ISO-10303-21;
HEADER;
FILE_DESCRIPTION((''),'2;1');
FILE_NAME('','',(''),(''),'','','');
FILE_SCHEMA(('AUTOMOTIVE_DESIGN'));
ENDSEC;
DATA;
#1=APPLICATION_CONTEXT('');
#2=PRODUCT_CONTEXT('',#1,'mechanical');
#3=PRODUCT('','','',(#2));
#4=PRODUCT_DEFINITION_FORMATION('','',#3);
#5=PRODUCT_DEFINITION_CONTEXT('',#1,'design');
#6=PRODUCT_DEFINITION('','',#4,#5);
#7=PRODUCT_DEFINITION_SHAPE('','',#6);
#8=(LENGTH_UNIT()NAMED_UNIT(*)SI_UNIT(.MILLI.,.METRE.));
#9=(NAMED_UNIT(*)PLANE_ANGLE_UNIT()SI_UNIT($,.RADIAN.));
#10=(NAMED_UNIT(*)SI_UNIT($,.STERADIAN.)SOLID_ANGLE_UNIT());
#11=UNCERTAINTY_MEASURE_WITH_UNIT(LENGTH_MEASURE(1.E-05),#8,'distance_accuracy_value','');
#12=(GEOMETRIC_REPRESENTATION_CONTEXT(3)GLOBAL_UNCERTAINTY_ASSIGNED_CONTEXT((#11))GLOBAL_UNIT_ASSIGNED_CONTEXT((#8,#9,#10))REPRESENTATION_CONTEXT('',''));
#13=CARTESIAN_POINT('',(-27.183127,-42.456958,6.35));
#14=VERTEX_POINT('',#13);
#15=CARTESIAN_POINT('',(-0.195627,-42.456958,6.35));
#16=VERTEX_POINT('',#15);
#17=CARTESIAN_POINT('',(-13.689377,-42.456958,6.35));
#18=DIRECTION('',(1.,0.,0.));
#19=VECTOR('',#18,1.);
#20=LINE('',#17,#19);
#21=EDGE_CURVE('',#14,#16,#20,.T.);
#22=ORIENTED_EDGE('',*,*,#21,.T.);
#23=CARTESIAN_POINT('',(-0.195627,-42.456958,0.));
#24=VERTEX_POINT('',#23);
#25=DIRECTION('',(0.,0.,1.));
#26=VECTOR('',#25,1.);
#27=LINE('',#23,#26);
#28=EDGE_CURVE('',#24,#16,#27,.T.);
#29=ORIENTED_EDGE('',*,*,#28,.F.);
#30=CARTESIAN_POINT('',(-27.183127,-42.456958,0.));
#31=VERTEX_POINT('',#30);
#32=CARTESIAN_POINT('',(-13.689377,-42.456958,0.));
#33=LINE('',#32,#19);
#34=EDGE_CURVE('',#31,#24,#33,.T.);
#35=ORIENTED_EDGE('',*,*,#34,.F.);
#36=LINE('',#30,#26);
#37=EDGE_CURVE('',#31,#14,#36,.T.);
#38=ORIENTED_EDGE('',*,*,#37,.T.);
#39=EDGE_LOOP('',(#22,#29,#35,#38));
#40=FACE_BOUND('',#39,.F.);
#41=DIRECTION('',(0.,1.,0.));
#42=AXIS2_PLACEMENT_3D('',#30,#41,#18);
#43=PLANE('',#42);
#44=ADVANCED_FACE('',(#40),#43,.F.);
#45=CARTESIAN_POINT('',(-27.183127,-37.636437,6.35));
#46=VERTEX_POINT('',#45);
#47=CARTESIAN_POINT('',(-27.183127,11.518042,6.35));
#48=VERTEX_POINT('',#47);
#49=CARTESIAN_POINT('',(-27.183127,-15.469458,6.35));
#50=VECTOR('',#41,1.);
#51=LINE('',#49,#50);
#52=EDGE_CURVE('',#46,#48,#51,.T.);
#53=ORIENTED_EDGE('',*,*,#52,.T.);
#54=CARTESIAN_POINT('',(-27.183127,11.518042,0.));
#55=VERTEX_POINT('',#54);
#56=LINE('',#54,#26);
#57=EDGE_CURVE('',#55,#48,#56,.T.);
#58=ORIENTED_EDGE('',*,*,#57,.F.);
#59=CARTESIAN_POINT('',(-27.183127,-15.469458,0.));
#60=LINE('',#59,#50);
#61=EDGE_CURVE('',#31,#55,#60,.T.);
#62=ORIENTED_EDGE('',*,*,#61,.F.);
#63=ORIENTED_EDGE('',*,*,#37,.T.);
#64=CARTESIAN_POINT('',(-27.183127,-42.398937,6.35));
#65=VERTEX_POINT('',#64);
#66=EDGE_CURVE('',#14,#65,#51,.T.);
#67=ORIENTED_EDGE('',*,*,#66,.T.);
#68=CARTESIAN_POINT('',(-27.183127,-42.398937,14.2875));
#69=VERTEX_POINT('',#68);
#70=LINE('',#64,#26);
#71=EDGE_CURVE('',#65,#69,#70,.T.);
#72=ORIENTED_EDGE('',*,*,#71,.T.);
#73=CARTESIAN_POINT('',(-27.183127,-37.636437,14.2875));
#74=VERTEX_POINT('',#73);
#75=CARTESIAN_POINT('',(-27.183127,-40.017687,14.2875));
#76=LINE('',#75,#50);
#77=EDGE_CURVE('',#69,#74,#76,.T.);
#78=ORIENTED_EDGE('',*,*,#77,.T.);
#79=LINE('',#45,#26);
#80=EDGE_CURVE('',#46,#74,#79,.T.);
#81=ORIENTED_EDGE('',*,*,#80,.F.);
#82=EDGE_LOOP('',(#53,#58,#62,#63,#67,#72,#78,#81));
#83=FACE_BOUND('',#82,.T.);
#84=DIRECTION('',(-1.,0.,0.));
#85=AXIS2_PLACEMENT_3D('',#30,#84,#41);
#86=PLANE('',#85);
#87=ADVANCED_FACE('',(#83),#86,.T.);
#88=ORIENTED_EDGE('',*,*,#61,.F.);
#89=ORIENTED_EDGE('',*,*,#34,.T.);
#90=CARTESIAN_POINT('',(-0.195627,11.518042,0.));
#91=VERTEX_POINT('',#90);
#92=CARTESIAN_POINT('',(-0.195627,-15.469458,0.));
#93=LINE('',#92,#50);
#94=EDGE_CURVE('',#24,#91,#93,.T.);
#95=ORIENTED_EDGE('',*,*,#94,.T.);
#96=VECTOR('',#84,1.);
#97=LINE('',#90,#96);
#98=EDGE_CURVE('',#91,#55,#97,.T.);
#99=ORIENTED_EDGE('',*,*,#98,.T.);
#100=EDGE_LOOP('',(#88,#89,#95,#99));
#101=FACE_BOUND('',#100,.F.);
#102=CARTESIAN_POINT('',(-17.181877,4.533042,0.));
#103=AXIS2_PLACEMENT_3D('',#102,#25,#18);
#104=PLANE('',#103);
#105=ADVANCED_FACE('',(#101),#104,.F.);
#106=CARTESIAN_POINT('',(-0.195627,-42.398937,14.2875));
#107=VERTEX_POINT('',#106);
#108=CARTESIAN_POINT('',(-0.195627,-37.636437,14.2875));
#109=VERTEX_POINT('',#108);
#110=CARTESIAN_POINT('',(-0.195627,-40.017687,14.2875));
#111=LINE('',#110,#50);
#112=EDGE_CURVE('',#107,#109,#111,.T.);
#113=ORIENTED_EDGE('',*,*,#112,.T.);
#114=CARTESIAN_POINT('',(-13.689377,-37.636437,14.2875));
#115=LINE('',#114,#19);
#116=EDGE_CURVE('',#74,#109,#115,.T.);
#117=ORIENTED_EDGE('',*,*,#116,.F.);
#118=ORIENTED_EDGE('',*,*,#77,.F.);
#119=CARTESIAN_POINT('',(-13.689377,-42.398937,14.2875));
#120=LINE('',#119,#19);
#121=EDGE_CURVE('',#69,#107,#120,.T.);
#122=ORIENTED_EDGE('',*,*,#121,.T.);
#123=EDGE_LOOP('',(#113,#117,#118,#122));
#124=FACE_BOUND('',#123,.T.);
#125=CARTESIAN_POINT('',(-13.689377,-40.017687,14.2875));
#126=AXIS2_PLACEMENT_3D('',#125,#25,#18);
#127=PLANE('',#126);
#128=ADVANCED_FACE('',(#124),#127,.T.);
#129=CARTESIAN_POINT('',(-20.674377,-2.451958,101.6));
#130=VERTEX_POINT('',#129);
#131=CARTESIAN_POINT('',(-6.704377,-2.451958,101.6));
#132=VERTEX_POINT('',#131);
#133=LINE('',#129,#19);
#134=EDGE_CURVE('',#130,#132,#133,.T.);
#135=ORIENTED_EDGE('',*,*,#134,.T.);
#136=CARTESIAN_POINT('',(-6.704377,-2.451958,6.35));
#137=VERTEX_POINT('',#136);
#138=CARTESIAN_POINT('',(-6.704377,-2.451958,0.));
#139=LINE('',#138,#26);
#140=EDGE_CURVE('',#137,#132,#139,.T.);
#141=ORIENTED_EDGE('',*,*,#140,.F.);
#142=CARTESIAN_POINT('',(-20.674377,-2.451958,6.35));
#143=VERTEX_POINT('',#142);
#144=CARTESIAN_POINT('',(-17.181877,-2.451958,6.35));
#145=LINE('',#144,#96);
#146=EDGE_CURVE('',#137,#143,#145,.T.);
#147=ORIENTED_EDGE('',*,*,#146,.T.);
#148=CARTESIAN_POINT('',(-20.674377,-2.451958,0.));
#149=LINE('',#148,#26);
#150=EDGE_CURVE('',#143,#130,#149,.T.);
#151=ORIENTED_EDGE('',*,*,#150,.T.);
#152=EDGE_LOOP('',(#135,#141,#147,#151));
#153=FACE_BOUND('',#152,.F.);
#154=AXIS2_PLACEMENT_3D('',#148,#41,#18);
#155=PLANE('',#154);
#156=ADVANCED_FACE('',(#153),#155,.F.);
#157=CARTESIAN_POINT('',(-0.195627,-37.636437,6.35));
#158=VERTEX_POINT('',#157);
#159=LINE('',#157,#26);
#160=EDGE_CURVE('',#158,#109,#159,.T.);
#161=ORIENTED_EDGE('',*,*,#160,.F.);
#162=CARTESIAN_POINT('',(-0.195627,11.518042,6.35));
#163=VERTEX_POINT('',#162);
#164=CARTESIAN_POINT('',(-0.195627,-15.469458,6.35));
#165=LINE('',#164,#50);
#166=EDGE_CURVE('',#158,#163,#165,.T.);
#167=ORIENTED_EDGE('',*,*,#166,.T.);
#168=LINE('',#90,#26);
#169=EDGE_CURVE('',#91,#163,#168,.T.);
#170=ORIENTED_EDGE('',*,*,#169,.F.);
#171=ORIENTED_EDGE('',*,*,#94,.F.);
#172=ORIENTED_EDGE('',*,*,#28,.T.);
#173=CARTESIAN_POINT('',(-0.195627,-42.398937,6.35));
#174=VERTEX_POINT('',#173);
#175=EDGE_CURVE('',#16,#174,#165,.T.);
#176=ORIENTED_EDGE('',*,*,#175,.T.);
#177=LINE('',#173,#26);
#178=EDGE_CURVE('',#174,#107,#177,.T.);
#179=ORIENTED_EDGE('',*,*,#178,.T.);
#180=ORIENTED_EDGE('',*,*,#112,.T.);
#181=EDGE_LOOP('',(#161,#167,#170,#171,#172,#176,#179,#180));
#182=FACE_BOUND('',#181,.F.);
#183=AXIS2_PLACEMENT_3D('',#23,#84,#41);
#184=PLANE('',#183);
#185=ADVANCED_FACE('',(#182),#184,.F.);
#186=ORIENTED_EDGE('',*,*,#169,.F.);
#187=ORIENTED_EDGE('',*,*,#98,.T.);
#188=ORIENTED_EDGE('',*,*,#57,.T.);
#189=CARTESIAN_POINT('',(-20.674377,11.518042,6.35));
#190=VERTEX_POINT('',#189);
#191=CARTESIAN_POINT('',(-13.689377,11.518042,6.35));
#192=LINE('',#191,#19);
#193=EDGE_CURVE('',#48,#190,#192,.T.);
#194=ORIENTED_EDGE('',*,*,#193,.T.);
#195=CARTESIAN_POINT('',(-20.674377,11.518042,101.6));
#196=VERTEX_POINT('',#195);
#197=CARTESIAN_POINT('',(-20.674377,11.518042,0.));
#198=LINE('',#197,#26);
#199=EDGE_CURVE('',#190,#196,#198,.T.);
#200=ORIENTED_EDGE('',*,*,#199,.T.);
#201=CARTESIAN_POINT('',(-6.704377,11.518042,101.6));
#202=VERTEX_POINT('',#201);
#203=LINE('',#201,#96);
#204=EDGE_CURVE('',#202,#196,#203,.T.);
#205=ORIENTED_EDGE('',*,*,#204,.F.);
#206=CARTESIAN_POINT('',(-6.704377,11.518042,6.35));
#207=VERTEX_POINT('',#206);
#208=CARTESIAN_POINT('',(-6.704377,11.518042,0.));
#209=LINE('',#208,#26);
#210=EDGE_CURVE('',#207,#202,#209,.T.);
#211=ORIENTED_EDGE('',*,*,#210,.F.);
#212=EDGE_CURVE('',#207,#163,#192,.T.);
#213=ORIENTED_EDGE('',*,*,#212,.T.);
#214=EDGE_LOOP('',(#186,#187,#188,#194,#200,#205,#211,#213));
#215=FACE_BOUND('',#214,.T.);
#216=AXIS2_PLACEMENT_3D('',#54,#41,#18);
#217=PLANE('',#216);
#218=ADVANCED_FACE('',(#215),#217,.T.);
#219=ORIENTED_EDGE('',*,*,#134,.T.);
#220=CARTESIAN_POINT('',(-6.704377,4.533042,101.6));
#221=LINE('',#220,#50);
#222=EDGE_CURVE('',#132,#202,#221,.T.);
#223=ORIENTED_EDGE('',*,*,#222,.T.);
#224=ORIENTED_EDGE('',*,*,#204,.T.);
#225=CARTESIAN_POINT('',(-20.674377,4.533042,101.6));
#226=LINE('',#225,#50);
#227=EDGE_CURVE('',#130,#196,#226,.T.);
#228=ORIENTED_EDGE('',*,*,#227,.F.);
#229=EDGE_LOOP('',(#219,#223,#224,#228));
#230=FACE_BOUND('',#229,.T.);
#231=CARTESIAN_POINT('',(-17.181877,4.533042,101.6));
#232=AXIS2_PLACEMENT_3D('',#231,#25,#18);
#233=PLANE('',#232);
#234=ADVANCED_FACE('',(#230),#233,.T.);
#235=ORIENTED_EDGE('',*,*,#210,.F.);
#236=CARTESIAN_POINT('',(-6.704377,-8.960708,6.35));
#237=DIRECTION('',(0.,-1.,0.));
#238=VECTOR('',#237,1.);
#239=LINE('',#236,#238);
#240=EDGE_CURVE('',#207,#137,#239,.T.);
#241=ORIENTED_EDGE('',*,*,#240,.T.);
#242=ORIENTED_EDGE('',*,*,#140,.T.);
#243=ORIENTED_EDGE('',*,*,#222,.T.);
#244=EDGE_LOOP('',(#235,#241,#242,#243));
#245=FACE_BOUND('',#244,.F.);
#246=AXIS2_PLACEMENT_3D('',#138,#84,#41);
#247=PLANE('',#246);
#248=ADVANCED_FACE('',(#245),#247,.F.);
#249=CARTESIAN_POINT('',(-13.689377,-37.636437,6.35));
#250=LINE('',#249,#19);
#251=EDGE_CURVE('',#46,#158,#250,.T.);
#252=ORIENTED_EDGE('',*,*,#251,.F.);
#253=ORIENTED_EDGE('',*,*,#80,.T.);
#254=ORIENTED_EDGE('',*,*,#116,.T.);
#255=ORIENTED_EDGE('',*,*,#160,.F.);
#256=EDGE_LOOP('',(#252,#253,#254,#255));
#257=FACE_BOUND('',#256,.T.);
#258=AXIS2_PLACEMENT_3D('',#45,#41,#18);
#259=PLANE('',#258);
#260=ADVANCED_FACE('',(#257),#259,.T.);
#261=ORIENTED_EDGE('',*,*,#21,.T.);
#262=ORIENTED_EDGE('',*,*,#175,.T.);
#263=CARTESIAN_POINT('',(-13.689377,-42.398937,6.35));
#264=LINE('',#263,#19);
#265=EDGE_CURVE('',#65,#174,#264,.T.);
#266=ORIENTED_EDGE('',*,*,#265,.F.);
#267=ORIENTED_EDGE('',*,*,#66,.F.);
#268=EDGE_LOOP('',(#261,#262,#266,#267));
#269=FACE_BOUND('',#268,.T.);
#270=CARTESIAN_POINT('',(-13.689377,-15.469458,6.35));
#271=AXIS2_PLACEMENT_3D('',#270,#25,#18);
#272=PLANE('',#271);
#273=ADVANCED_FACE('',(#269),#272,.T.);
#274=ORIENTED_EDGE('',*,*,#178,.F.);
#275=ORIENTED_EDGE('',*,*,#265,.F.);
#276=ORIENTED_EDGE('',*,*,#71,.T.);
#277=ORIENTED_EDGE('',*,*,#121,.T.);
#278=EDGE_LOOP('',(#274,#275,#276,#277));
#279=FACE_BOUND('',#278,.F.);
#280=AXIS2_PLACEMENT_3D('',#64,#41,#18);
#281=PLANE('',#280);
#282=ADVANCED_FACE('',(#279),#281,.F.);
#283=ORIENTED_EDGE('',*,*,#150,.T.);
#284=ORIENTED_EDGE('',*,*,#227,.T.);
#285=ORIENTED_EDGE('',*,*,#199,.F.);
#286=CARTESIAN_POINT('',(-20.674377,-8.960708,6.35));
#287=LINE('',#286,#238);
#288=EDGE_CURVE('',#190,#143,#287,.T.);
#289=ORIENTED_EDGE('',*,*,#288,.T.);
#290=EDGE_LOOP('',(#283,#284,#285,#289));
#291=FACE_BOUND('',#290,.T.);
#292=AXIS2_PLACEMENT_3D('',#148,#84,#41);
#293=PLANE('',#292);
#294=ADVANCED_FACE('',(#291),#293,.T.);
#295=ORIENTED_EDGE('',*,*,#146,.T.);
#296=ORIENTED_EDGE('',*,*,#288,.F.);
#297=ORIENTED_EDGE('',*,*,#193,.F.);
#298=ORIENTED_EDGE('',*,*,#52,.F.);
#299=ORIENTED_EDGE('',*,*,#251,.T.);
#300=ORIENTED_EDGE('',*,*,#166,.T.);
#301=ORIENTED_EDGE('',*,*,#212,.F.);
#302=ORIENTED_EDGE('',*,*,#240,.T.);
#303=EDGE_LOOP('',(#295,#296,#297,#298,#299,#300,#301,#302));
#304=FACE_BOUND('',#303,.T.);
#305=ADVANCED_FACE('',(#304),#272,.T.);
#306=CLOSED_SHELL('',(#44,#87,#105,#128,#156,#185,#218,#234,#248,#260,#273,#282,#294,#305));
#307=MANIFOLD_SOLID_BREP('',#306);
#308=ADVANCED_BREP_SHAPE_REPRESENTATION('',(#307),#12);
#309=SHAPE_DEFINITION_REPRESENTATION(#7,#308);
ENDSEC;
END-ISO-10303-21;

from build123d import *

# Parameters (mm, degrees)
F0_W     = 26.9875
F0_H     = 53.975
F1_DEPTH = 6.35
F2_W     = 26.9875
F2_H     = 4.7625
F3_DEPTH = 7.9375
F4_W     = 6.985
F4_H     = 13.97
F5_DEPTH = 101.6


with BuildPart() as f1:
    # F0 (on Top) → F1 (new body)
    with BuildSketch(Plane.XY):
        with Locations((-13.6893766582, -15.4694584429)):
            Rectangle(F0_W, F0_H)
    extrude(amount=F1_DEPTH)

    # F2 (on face) → F3 (join)
    with BuildSketch(Plane.XY.offset(6.35)):
        with Locations((-13.6893766582, -40.0176870465)):
            Rectangle(F2_W, F2_H)
    extrude(amount=F3_DEPTH)

    # F4 (on Top) → F5 (join)
    with BuildSketch(Plane.XY):
        with Locations((-17.1818766582, 4.5330415571)):
            Rectangle(F4_W, F4_H)
        with Locations((-10.1968766582, 4.5330415571)):
            Rectangle(F4_W, F4_H)
    extrude(amount=F5_DEPTH)


solid = f1.part
